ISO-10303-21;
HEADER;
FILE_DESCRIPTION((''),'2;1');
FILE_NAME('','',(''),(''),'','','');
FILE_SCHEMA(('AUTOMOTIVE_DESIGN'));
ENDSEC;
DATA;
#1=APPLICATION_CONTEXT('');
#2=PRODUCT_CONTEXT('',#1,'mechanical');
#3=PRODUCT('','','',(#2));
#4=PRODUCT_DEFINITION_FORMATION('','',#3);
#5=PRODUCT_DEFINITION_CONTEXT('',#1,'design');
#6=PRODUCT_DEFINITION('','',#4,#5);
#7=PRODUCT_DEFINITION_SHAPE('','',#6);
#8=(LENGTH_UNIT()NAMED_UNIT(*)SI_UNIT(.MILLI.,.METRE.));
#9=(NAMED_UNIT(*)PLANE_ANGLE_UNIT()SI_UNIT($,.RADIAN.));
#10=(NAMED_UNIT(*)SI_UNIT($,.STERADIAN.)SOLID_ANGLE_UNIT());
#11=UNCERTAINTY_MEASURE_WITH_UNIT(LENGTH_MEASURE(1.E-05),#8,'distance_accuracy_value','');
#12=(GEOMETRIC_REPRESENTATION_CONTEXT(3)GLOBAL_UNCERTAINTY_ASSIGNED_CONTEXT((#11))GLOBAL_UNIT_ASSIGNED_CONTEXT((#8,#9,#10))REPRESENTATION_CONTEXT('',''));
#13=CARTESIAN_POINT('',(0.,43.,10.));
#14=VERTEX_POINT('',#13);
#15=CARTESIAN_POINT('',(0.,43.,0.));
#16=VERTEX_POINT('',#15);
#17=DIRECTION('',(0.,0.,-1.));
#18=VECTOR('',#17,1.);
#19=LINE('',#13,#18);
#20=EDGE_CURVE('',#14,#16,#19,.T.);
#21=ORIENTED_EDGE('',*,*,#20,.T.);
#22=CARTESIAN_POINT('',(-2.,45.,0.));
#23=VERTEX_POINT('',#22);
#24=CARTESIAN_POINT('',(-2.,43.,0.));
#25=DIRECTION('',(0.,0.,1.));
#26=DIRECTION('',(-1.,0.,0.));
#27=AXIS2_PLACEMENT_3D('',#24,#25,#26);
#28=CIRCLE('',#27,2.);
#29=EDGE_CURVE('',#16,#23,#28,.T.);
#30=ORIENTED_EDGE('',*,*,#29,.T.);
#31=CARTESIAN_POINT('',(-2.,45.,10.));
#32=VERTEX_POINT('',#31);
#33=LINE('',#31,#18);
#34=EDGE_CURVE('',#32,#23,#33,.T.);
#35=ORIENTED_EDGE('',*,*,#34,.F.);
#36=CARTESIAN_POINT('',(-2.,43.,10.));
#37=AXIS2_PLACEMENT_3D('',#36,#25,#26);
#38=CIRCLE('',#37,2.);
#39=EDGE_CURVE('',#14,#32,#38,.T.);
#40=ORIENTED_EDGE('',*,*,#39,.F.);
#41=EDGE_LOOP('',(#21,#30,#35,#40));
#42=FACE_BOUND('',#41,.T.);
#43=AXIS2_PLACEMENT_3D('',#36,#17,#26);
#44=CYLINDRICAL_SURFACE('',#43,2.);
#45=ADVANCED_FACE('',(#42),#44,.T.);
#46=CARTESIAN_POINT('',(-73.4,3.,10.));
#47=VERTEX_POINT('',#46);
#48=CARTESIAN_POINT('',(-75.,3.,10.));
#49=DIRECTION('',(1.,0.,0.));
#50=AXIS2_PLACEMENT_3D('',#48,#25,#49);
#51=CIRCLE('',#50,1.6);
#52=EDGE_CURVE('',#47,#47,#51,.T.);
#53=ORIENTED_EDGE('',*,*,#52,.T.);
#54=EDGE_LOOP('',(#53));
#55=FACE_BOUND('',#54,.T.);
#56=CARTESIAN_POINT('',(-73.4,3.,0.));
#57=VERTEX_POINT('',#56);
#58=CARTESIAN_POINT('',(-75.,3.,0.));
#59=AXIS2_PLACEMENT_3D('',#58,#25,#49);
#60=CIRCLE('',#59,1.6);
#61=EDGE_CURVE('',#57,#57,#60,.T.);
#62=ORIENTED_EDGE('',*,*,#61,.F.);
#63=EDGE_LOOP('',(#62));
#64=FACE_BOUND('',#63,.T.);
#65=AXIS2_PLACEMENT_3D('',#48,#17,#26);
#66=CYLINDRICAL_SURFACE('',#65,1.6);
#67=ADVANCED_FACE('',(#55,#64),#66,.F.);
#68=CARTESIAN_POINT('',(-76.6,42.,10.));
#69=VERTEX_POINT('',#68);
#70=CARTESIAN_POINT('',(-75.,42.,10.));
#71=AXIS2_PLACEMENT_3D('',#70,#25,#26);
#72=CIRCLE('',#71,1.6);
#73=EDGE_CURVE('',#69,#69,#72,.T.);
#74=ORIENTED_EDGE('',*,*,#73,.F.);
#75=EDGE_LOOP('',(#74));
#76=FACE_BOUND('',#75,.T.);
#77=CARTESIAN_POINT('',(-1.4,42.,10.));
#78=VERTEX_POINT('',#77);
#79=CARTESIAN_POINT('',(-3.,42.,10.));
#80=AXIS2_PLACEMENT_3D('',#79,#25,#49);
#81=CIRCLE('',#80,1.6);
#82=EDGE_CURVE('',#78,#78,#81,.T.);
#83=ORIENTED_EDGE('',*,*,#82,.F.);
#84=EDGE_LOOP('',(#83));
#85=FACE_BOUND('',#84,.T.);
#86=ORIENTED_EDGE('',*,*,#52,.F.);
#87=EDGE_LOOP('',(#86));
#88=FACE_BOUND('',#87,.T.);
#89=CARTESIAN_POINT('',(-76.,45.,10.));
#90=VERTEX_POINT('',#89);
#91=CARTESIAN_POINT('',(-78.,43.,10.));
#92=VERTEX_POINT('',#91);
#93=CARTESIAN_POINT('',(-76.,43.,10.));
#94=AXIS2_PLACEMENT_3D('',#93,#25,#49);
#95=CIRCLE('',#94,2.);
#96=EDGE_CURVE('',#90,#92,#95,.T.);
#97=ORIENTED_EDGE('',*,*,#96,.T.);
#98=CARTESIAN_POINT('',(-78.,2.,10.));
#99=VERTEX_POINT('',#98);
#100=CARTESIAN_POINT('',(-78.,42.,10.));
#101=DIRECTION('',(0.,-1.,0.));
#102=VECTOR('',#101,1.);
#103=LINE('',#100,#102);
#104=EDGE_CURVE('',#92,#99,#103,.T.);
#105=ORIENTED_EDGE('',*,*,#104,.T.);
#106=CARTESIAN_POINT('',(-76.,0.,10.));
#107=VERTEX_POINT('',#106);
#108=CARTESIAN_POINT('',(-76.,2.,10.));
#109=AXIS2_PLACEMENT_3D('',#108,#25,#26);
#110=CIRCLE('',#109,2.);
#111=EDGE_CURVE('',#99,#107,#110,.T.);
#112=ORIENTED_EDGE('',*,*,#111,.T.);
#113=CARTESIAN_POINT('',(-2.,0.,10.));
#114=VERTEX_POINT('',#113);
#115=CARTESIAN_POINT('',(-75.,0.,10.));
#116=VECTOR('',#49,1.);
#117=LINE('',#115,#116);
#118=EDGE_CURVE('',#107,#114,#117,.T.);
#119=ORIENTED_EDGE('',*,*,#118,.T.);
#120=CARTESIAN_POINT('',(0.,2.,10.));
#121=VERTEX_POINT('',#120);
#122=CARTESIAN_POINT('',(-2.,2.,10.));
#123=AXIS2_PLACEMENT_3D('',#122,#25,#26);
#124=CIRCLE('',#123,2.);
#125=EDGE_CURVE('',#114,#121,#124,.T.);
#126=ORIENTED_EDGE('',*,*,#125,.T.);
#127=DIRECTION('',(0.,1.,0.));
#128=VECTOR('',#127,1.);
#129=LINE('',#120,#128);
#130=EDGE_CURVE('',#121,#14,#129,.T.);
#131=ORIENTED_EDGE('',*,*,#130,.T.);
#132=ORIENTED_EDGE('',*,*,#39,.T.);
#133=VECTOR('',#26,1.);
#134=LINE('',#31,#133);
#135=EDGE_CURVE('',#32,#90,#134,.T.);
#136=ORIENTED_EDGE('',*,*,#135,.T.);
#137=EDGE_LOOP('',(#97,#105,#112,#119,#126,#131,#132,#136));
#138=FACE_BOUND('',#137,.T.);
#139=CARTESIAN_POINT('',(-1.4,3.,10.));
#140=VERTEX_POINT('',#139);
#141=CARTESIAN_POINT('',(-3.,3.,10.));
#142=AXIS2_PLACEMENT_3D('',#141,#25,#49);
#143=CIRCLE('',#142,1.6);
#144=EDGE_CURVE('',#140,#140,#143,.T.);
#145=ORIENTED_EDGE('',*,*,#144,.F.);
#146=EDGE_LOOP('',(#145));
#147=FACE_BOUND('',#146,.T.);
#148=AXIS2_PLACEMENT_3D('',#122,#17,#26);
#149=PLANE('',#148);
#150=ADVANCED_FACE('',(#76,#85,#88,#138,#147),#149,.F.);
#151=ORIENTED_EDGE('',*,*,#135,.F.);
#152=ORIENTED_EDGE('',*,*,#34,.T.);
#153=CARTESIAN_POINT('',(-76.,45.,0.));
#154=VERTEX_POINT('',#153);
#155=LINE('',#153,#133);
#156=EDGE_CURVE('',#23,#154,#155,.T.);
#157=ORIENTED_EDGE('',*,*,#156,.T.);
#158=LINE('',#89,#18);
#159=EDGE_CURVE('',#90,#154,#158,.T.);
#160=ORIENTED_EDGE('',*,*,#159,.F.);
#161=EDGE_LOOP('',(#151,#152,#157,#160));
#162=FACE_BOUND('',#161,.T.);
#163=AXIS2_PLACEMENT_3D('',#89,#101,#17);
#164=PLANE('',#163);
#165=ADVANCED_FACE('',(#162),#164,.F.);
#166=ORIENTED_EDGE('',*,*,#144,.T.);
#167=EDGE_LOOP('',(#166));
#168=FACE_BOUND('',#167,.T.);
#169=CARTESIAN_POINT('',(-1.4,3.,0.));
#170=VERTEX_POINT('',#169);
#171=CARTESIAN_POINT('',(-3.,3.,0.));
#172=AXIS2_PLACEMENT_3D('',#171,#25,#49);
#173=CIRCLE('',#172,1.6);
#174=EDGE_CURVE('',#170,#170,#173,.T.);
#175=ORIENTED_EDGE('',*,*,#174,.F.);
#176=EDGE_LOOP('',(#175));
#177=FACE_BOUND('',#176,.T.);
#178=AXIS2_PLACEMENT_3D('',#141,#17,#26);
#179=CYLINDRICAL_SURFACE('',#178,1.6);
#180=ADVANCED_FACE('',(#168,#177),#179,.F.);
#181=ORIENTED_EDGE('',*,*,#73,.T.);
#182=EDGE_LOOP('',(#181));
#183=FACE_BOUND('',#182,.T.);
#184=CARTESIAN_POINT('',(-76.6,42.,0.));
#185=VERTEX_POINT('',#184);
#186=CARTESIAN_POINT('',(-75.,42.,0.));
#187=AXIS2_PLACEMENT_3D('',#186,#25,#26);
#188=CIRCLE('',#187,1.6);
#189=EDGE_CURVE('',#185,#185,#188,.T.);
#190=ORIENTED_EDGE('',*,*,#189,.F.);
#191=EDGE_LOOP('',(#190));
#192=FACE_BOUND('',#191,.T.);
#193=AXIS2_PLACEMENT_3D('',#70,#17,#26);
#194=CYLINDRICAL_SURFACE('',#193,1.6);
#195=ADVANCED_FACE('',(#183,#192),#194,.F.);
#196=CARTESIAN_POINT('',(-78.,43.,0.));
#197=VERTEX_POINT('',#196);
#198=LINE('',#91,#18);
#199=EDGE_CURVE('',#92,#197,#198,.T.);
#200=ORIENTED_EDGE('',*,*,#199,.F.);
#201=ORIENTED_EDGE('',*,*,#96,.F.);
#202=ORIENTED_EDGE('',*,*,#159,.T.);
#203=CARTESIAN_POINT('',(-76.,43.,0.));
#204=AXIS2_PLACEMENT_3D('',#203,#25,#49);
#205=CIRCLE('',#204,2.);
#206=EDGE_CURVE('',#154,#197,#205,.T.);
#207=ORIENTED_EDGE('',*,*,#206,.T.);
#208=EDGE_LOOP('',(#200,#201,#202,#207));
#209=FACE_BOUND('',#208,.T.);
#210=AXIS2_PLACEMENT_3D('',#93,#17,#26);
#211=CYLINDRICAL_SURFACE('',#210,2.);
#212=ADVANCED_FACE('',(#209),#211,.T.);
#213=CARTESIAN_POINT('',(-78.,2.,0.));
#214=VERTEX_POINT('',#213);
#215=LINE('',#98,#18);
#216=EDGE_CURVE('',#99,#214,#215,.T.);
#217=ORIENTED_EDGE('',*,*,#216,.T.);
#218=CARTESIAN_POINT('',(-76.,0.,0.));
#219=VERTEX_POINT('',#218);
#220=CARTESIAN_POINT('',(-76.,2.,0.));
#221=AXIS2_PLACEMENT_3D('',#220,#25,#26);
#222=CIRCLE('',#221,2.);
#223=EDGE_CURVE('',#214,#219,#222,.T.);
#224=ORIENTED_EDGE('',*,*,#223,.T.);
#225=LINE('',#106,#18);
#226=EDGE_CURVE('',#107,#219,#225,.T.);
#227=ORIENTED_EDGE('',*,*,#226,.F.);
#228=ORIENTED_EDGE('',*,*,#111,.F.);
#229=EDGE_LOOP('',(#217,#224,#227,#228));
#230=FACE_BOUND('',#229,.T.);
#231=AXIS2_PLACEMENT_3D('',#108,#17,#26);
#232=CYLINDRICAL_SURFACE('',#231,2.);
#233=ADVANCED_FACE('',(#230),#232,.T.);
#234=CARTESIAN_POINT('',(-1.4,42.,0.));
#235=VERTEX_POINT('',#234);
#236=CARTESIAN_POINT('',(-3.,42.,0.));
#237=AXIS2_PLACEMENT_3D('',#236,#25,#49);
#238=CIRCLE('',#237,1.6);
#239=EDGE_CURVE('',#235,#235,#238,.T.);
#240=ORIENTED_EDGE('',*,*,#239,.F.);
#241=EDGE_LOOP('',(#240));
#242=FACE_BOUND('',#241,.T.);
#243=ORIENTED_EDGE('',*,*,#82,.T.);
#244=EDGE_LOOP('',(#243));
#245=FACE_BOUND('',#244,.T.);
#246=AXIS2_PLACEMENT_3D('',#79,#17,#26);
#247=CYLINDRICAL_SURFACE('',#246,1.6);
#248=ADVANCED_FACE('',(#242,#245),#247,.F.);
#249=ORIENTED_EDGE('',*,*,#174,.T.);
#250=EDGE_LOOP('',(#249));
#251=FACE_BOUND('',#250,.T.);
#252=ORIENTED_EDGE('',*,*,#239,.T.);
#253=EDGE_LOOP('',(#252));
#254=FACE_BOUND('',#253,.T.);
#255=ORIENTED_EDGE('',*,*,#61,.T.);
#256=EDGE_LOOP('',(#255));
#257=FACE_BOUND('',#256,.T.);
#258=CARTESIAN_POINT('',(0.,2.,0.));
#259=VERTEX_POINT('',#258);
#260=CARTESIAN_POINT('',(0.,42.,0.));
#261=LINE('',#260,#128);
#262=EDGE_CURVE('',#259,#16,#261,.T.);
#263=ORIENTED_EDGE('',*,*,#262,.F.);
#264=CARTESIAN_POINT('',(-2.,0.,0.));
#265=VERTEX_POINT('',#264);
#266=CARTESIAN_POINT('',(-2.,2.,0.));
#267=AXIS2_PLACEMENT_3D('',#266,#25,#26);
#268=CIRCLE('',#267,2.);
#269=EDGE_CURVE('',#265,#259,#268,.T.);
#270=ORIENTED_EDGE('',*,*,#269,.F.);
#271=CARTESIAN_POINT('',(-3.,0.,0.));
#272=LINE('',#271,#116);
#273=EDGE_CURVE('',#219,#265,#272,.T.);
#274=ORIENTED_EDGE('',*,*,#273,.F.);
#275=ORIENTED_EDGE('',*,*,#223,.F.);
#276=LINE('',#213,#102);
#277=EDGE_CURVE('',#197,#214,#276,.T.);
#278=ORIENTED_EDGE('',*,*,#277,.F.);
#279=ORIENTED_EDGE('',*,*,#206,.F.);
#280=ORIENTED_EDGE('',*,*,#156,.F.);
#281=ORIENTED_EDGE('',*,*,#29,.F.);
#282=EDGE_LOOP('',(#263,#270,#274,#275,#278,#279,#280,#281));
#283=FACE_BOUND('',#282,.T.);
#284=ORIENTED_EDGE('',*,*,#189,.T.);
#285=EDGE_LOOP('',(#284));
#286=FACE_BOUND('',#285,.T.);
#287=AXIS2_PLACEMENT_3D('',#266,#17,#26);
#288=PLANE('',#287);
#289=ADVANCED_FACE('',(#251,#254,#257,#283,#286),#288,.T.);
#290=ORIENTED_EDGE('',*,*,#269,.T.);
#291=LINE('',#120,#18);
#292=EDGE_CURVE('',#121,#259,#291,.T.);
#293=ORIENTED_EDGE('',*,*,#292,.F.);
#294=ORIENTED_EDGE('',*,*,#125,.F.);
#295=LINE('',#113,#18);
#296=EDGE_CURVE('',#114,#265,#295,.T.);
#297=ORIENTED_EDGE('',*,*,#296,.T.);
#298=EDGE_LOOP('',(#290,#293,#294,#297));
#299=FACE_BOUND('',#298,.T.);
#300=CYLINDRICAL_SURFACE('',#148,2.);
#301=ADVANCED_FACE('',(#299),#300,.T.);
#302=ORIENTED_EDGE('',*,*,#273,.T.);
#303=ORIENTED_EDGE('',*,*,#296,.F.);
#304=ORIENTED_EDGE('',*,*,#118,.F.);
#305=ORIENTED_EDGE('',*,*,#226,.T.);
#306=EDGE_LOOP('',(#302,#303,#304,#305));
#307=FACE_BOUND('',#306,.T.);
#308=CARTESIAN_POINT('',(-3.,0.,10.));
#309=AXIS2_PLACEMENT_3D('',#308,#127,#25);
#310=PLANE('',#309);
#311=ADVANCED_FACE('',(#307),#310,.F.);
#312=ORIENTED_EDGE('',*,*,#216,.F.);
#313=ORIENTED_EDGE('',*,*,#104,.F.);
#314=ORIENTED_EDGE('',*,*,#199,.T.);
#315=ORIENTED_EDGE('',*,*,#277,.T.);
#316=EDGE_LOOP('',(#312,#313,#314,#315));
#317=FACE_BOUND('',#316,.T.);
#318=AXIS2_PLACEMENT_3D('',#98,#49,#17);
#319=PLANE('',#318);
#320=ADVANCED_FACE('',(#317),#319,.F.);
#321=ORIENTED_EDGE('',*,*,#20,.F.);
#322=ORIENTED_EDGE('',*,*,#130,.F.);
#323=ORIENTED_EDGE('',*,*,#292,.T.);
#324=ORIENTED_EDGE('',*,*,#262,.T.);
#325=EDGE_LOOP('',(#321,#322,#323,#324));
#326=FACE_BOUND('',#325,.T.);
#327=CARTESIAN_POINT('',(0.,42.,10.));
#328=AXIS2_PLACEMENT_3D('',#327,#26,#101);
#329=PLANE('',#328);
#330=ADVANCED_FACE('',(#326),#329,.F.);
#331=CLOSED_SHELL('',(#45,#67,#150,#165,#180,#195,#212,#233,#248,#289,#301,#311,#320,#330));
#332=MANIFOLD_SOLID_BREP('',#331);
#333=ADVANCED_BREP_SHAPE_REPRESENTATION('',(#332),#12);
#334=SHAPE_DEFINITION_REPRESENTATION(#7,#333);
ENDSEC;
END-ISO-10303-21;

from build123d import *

# Parameters (mm, degrees)
SKETCH1_R           = 1.6
BOSS_EXTRUDE2_DEPTH = 10


with BuildPart() as part:
    # Sketch1 → Boss-Extrude2 (new body)
    with BuildSketch(Plane.XY):
        with BuildLine():
            Line((-78, 42), (-78, 43))
            ThreePointArc((-78, 43), (-77.414213562, 44.414213562), (-76, 45))
            Line((-76, 45), (-75, 45))
            Line((-75, 45), (-3, 45))
            Line((-3, 45), (-2, 45))
            ThreePointArc((-2, 45), (-0.585786438, 44.414213562), (0, 43))
            Line((0, 43), (0, 42))
            Line((0, 42), (0, 3))
            Line((0, 3), (0, 2))
            ThreePointArc((0, 2), (-0.585786438, 0.585786438), (-2, 0))
            Line((-2, 0), (-3, 0))
            Line((-3, 0), (-75, 0))
            Line((-75, 0), (-76, 0))
            ThreePointArc((-76, 0), (-77.414213562, 0.585786438), (-78, 2))
            Line((-78, 2), (-78, 3))
            Line((-78, 3), (-78, 42))
        make_face()
        with Locations((-75, 3)):
            Circle(SKETCH1_R, mode=Mode.SUBTRACT)
        with Locations((-3, 3)):
            Circle(SKETCH1_R, mode=Mode.SUBTRACT)
        with Locations((-3, 42)):
            Circle(SKETCH1_R, mode=Mode.SUBTRACT)
        with Locations((-75, 42)):
            Circle(SKETCH1_R, mode=Mode.SUBTRACT)
    extrude(amount=BOSS_EXTRUDE2_DEPTH)


solid = part.part
